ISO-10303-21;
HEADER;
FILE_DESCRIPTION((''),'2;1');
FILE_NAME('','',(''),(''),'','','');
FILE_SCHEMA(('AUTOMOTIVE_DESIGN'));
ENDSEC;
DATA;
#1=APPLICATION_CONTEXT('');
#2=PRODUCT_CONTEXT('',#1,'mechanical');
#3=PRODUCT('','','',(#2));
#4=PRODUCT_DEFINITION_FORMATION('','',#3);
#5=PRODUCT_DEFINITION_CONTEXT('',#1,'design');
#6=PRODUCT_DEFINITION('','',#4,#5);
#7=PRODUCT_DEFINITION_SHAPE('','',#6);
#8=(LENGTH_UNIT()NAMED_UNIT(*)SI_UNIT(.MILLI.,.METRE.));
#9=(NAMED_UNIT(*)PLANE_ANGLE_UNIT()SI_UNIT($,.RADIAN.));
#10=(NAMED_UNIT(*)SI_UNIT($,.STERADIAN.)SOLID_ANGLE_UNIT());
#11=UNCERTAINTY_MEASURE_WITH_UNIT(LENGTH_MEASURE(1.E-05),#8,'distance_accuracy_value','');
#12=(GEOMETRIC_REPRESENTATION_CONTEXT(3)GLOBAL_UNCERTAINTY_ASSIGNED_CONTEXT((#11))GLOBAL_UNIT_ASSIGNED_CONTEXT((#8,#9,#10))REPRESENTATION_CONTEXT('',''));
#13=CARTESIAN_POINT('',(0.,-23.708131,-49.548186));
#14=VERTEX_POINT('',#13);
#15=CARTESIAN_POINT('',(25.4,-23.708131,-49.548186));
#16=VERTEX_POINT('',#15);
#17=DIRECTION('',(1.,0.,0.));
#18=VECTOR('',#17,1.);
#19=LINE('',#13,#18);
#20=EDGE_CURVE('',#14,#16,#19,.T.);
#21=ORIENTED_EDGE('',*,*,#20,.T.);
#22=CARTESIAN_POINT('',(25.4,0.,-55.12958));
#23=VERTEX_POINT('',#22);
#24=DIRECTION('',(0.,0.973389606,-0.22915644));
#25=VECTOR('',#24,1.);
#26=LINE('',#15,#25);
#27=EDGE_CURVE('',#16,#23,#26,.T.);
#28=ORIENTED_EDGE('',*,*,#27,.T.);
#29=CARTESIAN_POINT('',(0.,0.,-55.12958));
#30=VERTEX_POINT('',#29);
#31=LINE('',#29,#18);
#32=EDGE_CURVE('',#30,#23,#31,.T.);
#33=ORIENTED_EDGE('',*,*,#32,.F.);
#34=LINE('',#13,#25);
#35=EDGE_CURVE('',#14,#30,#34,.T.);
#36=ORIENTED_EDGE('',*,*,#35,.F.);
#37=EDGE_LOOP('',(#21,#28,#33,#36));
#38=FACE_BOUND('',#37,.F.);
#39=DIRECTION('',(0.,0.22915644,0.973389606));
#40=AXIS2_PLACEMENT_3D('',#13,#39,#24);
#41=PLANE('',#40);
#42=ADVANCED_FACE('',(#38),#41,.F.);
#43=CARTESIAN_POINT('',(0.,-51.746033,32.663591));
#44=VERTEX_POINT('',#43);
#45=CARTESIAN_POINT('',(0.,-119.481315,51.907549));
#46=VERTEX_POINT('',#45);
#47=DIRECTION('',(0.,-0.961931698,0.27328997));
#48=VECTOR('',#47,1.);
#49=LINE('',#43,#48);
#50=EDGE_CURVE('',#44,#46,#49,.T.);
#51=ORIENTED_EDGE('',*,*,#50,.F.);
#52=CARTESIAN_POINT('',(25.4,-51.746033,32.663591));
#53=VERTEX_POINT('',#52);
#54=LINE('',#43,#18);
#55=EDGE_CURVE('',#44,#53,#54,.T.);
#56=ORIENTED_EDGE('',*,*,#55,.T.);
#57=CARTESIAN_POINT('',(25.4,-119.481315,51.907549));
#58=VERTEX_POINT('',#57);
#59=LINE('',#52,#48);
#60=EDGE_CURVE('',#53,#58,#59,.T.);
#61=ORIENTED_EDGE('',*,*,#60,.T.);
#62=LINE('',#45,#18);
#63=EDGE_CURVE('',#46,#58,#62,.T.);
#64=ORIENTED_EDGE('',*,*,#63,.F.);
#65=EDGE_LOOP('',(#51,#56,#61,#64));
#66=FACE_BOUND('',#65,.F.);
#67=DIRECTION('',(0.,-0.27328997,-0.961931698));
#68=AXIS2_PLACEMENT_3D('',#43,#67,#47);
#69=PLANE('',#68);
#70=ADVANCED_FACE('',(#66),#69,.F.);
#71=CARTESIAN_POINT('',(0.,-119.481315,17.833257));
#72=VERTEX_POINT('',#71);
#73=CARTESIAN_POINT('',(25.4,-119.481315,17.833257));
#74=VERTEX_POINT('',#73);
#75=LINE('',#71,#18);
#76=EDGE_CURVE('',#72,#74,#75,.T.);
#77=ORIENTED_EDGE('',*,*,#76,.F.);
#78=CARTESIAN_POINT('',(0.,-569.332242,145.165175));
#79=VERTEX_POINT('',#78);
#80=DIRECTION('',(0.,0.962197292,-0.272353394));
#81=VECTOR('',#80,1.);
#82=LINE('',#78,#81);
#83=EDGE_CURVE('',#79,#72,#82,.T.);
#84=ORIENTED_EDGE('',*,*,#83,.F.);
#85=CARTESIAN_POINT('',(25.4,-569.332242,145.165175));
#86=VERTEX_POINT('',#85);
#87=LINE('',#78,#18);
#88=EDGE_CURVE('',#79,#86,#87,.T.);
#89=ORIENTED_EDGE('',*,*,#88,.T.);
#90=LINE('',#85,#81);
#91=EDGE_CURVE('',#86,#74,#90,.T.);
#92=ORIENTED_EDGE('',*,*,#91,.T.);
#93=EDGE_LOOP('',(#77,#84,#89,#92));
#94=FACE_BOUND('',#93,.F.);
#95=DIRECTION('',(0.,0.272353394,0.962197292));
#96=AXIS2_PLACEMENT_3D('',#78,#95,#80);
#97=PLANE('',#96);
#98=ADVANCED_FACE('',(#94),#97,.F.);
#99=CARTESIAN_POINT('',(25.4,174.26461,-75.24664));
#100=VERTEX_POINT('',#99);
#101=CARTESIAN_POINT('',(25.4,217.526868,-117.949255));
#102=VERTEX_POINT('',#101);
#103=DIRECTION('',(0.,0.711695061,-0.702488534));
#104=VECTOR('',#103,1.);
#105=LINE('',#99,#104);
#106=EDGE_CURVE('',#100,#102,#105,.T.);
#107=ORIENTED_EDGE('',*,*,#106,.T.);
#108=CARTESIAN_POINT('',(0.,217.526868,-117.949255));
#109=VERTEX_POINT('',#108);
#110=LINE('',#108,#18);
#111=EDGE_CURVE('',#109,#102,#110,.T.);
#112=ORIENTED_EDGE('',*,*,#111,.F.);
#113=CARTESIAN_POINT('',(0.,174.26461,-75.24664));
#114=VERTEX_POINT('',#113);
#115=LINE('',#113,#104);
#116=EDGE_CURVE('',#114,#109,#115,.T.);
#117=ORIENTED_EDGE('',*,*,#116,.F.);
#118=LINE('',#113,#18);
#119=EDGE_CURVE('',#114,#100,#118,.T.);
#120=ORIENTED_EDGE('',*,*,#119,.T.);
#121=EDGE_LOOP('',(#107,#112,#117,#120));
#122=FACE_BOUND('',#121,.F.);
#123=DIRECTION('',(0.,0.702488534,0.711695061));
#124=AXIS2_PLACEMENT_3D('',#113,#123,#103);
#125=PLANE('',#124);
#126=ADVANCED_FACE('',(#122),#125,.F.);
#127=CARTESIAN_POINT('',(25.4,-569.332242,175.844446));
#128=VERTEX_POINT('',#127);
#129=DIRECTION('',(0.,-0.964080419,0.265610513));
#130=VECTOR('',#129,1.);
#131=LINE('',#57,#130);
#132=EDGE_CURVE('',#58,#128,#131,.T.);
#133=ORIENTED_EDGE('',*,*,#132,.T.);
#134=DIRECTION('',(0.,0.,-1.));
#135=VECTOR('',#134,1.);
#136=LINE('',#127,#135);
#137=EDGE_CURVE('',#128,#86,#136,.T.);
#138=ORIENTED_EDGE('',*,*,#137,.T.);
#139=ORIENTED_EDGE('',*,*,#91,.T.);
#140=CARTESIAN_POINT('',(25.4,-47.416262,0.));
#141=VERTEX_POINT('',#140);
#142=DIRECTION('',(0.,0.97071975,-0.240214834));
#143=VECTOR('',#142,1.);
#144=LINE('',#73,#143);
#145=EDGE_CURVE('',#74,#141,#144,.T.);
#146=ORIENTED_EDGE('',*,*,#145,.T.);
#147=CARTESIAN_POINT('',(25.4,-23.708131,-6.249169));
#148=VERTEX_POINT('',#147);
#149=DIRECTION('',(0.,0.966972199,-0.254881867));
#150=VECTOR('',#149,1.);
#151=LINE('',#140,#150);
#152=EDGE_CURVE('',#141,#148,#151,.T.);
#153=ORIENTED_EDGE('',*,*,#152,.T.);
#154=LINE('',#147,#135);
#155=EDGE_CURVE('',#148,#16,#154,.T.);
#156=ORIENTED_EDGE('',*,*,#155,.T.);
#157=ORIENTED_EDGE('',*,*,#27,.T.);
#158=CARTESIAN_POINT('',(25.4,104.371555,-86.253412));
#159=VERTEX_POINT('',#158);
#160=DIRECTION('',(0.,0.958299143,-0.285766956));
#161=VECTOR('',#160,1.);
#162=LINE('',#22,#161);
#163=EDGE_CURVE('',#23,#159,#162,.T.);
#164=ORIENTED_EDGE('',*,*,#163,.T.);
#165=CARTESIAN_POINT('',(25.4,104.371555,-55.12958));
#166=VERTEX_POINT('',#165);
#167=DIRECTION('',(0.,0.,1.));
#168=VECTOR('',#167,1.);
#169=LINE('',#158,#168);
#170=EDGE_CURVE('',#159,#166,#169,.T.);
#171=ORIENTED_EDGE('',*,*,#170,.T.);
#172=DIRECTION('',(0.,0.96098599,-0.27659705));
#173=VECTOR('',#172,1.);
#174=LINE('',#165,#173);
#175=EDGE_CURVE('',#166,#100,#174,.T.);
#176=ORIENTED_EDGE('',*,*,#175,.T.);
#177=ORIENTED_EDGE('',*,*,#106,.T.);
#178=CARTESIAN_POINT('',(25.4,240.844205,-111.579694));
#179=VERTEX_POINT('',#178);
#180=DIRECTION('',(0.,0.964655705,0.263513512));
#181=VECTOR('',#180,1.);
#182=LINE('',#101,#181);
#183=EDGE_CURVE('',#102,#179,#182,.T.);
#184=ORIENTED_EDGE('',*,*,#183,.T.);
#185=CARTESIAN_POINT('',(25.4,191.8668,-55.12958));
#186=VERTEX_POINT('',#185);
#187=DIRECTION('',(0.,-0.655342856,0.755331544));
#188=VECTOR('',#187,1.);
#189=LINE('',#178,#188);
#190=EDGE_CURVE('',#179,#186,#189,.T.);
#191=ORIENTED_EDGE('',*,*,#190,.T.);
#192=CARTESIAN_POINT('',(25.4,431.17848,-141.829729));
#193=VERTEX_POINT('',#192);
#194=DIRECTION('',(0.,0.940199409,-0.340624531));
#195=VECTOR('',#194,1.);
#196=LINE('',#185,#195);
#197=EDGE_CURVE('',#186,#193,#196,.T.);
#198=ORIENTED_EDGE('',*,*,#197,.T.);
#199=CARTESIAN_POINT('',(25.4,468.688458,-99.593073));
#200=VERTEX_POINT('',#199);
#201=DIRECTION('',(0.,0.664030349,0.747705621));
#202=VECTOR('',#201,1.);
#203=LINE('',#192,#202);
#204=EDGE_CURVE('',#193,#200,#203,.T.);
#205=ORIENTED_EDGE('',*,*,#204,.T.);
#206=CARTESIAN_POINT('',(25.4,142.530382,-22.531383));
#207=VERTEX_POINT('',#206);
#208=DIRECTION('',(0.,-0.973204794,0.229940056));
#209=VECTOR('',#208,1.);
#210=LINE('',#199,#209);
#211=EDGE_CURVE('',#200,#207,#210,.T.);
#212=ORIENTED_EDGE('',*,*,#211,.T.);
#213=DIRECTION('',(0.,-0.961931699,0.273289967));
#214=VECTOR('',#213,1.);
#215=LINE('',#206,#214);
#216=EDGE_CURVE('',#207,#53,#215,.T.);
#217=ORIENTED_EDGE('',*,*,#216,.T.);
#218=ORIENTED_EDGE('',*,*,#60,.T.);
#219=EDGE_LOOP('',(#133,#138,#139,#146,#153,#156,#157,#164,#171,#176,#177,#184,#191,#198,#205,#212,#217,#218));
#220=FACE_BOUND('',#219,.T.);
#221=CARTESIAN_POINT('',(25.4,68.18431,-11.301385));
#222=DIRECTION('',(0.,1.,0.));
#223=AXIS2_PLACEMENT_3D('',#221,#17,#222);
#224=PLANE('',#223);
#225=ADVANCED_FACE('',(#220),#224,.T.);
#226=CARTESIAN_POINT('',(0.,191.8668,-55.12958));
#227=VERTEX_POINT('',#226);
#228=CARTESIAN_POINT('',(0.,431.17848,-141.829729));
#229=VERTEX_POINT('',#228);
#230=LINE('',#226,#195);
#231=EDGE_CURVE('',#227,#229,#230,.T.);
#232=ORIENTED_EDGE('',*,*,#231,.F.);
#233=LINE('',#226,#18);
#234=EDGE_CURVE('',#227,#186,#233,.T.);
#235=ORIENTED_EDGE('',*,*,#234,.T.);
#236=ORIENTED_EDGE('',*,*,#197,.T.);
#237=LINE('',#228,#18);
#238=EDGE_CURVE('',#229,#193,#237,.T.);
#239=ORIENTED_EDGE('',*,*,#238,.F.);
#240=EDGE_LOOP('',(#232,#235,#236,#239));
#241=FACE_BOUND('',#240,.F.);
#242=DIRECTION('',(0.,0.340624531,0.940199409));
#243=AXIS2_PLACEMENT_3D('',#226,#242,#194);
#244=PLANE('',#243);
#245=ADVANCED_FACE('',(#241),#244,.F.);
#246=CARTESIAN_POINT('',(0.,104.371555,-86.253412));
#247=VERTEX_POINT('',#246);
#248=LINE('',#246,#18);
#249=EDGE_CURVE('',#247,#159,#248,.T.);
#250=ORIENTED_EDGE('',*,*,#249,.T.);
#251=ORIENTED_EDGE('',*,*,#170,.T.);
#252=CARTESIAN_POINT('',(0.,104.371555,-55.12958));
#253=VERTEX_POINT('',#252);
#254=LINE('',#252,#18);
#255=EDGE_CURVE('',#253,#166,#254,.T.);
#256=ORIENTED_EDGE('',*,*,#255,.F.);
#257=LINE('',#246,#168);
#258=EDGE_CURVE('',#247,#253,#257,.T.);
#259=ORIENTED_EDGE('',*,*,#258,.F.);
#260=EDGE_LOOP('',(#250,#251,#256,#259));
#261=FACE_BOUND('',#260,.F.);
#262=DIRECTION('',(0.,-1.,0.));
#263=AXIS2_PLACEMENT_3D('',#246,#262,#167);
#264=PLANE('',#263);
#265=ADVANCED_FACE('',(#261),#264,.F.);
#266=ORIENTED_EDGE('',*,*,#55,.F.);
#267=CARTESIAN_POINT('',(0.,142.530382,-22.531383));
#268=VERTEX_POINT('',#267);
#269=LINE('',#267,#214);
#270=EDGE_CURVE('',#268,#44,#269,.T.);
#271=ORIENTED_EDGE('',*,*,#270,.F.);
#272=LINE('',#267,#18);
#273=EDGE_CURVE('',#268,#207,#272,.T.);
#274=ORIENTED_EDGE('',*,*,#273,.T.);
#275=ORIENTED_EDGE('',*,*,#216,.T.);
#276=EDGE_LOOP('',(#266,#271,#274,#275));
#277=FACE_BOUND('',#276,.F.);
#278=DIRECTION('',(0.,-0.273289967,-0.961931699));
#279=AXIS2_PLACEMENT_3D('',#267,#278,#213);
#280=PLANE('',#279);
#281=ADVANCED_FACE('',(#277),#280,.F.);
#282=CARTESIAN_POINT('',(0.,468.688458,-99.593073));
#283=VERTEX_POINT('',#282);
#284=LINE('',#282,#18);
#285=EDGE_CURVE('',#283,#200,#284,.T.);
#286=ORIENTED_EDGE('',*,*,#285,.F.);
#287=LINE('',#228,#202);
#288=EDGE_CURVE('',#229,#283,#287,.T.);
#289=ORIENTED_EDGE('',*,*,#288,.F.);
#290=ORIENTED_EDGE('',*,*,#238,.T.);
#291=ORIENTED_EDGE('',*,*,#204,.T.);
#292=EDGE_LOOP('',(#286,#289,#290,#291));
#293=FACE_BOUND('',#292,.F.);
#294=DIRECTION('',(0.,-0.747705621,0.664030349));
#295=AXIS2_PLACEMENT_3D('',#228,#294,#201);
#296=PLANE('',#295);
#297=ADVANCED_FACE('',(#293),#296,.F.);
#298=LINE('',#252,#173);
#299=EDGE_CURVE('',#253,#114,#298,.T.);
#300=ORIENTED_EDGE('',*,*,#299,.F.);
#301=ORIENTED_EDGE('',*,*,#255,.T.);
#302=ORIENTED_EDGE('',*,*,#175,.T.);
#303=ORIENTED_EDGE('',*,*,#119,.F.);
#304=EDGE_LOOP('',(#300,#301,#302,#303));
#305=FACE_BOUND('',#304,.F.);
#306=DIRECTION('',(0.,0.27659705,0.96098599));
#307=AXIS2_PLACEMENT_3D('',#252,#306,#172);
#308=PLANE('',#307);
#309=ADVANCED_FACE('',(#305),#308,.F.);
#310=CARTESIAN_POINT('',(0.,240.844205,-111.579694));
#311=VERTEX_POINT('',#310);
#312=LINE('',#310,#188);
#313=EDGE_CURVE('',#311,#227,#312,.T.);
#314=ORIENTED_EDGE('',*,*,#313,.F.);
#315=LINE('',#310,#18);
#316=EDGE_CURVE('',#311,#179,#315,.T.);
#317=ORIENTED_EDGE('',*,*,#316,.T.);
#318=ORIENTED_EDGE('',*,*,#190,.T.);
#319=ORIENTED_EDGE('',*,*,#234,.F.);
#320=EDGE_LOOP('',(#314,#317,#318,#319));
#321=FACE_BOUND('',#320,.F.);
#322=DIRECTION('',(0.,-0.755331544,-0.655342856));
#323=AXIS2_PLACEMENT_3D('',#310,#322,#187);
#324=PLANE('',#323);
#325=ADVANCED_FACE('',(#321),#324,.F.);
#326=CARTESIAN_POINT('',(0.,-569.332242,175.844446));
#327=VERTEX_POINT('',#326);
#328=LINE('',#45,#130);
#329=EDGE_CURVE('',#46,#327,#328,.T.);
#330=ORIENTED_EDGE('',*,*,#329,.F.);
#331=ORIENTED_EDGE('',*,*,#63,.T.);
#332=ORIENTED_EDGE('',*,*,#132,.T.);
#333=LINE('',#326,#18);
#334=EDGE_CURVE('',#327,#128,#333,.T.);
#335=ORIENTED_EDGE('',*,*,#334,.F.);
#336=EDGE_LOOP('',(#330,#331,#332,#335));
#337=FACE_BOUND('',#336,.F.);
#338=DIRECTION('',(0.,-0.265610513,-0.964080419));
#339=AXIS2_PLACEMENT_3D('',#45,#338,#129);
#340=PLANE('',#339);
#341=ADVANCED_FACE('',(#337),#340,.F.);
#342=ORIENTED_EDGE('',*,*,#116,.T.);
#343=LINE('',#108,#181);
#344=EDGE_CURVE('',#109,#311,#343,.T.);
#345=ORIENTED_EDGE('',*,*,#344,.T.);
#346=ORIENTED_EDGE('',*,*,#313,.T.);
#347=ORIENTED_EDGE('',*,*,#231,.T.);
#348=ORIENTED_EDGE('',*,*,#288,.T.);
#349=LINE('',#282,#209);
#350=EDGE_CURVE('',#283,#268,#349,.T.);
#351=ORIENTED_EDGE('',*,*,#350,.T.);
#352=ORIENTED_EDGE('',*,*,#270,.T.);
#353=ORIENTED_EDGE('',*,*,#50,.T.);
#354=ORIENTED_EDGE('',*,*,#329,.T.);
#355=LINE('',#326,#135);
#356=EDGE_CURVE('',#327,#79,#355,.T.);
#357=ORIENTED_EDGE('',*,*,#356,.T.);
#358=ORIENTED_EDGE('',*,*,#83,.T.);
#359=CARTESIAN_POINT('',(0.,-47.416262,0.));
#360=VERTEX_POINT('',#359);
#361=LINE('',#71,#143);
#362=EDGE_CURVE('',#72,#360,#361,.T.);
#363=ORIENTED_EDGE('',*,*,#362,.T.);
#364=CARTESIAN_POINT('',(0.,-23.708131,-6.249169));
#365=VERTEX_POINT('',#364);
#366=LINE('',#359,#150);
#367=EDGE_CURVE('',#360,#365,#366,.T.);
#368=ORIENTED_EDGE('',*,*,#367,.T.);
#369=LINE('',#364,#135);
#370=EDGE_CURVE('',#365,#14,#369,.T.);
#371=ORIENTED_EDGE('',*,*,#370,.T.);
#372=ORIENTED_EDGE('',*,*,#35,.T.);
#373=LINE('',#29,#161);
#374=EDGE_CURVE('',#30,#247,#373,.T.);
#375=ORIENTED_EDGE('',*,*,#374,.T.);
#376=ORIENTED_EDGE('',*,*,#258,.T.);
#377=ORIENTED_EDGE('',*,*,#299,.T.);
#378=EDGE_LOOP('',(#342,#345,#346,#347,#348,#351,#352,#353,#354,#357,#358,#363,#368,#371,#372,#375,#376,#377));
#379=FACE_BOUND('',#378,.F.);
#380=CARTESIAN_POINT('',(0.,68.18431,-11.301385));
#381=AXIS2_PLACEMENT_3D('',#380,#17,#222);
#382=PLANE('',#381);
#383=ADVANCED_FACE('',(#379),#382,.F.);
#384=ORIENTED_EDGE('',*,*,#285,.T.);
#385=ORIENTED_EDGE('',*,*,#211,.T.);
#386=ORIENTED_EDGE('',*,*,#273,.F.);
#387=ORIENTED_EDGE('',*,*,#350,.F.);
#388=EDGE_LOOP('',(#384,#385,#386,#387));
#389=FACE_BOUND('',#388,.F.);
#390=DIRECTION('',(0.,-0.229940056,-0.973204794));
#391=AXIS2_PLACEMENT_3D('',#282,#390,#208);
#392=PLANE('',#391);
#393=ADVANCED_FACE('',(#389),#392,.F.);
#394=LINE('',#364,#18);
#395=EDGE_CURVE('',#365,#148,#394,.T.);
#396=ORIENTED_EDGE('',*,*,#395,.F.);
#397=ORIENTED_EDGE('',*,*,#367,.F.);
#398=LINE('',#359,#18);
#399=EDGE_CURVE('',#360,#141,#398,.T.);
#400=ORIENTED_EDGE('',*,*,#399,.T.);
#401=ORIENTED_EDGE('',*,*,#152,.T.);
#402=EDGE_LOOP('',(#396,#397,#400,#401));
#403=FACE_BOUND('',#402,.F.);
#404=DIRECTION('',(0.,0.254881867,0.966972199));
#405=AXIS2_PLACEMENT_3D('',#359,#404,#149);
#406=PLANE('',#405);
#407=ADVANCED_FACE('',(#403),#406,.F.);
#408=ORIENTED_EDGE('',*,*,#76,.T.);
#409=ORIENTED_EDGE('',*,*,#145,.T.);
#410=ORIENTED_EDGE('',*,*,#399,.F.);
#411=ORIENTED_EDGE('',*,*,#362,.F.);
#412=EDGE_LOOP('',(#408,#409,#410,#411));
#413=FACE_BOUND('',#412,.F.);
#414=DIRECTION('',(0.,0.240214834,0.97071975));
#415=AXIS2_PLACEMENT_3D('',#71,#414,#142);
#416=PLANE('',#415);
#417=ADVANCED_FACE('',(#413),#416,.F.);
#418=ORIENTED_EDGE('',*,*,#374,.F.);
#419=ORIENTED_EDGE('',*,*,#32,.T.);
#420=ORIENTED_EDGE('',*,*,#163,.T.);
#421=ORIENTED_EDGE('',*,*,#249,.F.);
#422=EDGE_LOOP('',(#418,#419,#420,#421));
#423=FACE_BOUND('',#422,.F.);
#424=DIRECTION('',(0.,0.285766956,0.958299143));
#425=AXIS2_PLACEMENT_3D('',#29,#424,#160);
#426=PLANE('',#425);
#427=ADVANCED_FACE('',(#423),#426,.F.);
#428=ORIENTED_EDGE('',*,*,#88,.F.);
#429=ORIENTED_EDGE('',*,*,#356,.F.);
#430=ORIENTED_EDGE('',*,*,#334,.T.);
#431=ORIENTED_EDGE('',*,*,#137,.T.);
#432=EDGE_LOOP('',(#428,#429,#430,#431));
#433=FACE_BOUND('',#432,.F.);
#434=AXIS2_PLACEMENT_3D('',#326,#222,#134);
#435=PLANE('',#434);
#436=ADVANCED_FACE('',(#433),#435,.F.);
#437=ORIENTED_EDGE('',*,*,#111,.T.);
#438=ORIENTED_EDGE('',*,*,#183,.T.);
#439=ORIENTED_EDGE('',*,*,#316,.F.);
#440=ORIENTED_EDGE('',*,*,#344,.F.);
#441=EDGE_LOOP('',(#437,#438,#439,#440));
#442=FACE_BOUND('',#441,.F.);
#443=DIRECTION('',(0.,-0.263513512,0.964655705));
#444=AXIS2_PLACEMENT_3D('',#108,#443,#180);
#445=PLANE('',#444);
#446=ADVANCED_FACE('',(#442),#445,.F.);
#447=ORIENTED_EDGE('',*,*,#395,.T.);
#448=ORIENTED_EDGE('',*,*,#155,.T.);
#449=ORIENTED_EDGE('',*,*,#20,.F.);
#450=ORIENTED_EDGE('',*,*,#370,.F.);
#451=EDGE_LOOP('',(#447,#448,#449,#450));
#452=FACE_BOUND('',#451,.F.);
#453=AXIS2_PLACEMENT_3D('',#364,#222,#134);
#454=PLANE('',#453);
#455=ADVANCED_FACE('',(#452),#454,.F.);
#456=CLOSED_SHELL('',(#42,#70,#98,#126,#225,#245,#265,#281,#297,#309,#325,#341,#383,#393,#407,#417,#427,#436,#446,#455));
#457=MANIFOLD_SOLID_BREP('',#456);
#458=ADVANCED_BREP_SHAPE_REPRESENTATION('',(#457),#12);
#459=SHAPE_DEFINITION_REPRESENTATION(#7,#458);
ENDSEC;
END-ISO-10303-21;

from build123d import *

# Parameters (mm, degrees)
F1_DEPTH = 25.4


with BuildPart() as f1:
    # F0 (on Right) → F1 (new body)
    with BuildSketch(Plane.YZ):
        Polygon((-47.416262, 14.091257), (0, 0), (191.8668, -55.12958), (142.530382, -22.531383), (-51.746033, 32.663591), align=None)
        Polygon((191.8668, -55.12958), (0, 0), (0, -12.498338), (0, -55.12958), (104.371555, -86.253412), (104.371555, -55.12958), (174.26461, -75.24664), (217.526868, -117.949255), (240.844205, -111.579694), align=None)
        Polygon((0, -12.498338), (0, 0), (-47.416262, 14.091257), (-47.416262, 0), (-23.708131, -6.249169), align=None)
        Polygon((142.530382, -22.531383), (191.8668, -55.12958), (431.17848, -141.829729), align=None)
        Polygon((0, -55.12958), (0, -12.498338), (-23.708131, -6.249169), (-23.708131, -49.548186), align=None)
        Polygon((-47.416262, 0), (-47.416262, 14.091257), (-51.746033, 32.663591), (-119.481315, 51.907549), (-119.481315, 17.833257), align=None)
        Polygon((468.688458, -99.593073), (142.530382, -22.531383), (431.17848, -141.829729), align=None)
        Polygon((-569.332242, 145.165175), (-119.481315, 17.833257), (-119.481315, 51.907549), (-569.332242, 175.844446), align=None)
    extrude(amount=F1_DEPTH)


solid = f1.part
